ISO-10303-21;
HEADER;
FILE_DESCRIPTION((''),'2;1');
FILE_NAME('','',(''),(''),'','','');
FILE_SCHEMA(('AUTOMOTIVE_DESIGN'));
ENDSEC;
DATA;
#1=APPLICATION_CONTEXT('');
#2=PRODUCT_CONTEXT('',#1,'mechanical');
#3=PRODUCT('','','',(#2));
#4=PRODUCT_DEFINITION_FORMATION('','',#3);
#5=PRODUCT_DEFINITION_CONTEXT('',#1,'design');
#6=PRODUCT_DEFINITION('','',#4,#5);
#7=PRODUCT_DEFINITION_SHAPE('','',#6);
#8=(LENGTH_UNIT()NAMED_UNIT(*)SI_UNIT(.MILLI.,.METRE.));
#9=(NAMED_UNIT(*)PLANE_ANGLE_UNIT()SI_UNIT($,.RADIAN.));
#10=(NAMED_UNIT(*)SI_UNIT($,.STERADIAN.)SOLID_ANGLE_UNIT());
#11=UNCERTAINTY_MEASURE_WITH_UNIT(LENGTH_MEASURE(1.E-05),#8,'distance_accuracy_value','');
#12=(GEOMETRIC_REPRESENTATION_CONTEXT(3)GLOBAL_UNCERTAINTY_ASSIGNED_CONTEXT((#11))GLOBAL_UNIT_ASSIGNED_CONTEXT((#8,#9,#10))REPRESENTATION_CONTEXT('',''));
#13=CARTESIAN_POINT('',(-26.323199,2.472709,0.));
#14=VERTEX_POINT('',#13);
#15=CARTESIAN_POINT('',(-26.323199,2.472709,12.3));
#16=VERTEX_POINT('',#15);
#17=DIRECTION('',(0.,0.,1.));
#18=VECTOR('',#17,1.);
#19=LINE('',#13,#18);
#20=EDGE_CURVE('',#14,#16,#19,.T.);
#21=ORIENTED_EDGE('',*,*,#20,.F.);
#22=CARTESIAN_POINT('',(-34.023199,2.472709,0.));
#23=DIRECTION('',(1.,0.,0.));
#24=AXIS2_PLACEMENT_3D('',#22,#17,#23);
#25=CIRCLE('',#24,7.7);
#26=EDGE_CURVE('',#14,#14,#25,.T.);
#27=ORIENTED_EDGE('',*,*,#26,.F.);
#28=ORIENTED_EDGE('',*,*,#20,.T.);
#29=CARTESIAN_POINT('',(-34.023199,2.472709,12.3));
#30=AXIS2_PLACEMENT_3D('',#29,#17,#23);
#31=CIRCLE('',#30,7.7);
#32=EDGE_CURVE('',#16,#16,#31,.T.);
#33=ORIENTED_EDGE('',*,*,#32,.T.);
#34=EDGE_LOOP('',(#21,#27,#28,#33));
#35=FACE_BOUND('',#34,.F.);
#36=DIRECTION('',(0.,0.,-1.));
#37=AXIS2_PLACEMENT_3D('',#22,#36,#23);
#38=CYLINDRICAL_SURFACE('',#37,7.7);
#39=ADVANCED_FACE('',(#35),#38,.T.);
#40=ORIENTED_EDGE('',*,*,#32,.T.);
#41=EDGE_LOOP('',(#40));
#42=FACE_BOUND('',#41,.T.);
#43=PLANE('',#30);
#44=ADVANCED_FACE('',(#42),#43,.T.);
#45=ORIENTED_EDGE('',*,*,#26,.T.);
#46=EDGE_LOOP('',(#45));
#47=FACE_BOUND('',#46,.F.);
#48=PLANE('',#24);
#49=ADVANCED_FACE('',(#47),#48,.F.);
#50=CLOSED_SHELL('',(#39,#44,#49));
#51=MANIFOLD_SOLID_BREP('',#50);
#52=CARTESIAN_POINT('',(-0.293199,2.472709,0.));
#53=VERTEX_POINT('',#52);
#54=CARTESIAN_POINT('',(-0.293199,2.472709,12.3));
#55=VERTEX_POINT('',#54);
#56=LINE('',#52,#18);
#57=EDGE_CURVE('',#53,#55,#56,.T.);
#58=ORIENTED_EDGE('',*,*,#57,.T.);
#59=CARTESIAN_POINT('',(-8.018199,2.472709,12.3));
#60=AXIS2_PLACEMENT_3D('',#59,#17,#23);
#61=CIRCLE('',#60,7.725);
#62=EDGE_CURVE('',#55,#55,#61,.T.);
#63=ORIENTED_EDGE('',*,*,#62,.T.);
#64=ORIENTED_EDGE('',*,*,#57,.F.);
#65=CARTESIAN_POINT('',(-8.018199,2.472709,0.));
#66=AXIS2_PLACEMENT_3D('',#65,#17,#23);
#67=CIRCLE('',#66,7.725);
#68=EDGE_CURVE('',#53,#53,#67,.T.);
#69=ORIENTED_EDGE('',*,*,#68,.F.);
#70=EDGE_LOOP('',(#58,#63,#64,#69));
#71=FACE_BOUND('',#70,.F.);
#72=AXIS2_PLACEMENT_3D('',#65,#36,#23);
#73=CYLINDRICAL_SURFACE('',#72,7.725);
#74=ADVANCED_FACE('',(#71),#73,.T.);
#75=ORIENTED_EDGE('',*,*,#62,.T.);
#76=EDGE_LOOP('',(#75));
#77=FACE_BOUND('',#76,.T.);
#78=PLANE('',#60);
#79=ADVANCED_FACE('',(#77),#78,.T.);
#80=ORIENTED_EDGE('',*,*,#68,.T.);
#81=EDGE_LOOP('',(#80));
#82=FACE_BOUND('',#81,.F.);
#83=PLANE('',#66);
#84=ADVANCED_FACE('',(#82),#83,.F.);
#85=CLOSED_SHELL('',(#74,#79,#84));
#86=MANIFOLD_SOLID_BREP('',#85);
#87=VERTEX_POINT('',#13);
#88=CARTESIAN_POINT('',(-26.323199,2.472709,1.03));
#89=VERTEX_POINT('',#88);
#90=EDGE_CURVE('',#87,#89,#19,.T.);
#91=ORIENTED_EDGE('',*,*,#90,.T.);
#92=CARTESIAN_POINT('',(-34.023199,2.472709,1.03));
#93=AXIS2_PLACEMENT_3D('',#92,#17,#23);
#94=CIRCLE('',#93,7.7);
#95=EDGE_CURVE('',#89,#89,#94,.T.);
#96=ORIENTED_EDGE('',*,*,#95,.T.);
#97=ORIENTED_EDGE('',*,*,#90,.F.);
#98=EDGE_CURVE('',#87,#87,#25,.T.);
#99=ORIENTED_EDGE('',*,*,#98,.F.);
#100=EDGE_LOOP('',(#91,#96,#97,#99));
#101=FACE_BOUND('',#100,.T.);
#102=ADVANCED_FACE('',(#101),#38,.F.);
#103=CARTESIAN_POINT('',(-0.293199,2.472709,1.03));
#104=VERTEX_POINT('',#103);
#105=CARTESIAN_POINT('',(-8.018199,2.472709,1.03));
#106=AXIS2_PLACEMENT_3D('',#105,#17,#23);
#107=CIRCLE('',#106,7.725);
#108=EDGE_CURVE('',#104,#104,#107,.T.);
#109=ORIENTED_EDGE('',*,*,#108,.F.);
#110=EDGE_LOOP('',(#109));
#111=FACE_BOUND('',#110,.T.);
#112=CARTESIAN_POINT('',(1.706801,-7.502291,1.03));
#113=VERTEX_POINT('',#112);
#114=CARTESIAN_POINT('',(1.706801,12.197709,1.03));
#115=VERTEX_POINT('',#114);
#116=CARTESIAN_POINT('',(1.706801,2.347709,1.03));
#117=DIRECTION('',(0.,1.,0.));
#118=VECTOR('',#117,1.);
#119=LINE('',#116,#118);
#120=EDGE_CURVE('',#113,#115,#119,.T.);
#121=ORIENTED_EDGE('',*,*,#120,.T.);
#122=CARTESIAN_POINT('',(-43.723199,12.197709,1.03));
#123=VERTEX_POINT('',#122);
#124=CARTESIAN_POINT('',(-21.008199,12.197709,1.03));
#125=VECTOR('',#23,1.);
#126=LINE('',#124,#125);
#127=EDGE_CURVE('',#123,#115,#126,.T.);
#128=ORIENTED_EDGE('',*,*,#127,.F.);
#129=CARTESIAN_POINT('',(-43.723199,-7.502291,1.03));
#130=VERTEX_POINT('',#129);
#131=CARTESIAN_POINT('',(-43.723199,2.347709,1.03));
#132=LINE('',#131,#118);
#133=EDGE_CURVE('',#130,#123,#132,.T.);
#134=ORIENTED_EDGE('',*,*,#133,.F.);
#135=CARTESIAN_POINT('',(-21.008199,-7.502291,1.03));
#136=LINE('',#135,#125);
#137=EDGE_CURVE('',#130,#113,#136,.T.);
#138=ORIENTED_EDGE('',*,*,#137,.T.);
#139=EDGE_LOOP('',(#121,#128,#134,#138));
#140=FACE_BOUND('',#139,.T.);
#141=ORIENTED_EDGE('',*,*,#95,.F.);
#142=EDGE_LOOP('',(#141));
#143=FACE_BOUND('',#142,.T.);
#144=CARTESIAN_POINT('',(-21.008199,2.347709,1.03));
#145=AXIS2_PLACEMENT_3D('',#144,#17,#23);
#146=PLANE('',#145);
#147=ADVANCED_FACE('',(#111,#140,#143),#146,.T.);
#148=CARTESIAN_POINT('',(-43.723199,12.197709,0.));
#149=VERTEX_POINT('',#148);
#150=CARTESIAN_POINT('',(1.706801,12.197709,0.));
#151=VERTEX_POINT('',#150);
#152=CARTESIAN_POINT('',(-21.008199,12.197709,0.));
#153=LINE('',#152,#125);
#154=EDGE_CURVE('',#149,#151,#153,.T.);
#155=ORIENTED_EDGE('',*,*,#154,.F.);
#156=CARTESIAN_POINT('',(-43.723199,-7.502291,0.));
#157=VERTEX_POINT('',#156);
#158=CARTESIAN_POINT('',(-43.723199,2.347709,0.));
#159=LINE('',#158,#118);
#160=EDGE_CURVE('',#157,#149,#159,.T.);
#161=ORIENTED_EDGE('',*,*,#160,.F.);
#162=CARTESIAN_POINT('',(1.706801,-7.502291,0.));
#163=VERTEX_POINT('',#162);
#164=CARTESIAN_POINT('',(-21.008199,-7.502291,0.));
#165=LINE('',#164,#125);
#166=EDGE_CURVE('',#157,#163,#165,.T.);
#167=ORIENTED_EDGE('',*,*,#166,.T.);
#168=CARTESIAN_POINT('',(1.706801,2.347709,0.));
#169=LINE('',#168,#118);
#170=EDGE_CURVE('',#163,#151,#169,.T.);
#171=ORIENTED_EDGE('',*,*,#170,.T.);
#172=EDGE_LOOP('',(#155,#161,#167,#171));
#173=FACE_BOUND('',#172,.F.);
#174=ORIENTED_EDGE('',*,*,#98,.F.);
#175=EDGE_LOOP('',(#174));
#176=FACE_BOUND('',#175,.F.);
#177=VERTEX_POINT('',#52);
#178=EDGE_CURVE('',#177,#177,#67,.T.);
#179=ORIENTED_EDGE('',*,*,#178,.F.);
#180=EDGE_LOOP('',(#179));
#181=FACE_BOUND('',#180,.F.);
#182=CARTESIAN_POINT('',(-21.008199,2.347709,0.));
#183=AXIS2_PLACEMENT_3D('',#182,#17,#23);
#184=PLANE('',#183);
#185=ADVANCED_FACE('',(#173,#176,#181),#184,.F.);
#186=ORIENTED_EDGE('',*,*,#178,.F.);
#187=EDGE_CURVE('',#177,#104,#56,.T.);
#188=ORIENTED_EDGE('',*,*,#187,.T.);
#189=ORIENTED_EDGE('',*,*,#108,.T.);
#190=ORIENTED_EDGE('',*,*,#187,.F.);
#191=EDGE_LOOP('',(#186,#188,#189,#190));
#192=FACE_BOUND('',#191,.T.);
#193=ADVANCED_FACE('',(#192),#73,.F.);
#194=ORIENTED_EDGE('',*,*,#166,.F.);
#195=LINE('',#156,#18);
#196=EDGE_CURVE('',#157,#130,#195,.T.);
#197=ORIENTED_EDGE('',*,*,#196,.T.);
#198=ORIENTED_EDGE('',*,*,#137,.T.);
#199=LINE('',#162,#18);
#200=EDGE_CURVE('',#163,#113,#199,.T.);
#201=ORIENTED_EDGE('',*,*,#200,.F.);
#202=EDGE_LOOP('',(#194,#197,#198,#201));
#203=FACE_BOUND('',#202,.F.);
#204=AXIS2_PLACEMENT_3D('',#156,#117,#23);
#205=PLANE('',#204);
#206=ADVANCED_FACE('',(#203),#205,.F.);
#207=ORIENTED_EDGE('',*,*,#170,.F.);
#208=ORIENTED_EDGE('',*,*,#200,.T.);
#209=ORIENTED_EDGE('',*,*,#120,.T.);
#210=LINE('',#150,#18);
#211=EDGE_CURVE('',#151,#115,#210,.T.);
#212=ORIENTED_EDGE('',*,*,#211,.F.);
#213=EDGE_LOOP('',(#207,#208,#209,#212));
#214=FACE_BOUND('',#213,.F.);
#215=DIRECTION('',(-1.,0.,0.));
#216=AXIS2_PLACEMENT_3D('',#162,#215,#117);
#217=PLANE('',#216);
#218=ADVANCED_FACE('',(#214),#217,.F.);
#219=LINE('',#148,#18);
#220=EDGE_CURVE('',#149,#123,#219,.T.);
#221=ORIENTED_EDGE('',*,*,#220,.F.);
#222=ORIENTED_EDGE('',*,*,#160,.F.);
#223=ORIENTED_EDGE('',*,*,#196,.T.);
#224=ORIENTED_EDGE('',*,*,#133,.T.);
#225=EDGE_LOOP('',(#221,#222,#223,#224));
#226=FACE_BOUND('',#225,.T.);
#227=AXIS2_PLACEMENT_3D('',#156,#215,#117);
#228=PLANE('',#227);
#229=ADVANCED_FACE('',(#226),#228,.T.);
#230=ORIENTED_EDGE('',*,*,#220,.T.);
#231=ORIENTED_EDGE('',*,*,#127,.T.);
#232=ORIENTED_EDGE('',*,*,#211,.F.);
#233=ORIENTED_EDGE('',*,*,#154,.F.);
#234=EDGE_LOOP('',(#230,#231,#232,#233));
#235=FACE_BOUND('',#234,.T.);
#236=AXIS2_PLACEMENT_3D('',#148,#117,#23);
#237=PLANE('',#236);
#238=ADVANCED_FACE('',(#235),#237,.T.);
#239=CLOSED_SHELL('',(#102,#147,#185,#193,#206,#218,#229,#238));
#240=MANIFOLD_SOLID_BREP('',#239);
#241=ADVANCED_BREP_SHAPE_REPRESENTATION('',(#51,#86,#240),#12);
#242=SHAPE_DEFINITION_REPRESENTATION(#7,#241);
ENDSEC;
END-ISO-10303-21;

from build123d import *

# Parameters (mm, degrees)
F0_R     = 7.7
F0_R_2   = 7.725
F1_DEPTH = 12.3
F0_W     = 45.43
F0_H     = 19.7
F2_DEPTH = 1.03


with BuildPart() as f1:
    # F0 (on Top) → F1 (new body)
    with BuildSketch(Plane.XY):
        with Locations((-34.023199, 2.472709)):
            Circle(F0_R)
        with Locations((-8.018199, 2.472709)):
            Circle(F0_R_2)
    extrude(amount=F1_DEPTH)


with BuildPart() as f2:
    # F0 (on Top) → F2 (new body)
    with BuildSketch(Plane.XY):
        with Locations((-21.008199, 2.347709)):
            Rectangle(F0_W, F0_H)
        with Locations((-34.023199, 2.472709)):
            Circle(F0_R, mode=Mode.SUBTRACT)
        with Locations((-8.018199, 2.472709)):
            Circle(F0_R_2, mode=Mode.SUBTRACT)
    extrude(amount=F2_DEPTH)


solid = Compound([f1.part, f2.part])
